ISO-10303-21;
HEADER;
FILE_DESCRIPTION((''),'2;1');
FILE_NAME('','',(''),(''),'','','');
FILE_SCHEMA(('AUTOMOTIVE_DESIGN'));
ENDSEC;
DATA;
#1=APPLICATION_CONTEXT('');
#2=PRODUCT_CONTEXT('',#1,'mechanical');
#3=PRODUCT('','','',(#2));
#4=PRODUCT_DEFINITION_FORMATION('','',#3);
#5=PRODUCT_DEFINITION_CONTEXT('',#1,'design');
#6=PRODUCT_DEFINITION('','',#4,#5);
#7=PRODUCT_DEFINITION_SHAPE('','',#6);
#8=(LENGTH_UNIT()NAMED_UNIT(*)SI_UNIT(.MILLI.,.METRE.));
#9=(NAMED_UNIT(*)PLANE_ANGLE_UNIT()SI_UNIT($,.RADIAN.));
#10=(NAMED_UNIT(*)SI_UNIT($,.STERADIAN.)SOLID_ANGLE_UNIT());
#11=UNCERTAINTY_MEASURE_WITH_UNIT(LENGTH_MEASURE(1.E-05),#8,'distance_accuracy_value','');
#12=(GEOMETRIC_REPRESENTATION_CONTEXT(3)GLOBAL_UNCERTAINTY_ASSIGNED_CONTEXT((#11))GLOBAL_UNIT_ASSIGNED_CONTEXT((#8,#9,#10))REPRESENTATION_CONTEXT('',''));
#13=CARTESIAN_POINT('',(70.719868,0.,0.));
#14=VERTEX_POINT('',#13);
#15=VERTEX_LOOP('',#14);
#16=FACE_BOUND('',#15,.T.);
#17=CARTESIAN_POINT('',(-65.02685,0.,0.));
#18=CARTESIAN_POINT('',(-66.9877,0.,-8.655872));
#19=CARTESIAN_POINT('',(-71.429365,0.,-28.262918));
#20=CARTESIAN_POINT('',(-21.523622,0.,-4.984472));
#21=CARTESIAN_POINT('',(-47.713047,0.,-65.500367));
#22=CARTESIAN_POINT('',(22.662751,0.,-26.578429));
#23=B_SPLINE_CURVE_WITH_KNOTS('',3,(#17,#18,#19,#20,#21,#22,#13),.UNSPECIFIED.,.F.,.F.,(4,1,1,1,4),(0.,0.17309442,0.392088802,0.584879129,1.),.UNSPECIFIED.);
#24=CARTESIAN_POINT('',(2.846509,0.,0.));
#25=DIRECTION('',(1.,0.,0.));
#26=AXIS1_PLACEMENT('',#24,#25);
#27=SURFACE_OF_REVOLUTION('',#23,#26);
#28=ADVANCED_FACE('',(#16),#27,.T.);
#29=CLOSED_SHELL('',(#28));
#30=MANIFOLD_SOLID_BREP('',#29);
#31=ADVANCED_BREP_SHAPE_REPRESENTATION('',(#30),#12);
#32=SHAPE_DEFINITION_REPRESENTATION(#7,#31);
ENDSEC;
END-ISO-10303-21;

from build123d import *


with BuildPart() as f1:
    # F0 (on Front) → F1 (revolve)
    with BuildSketch(Plane.XZ):
        with BuildLine():
            Line((70.7198679447, 0), (-65.0268495083, 0))
            add(Edge.make_bspline(
                [(-65.0268495083, 0), (-66.9876999541, -8.6558717213), (-71.4293652866, -28.2629177508), (-21.5236215639, -4.9844721515), (-47.7130471672, -65.500367274), (22.6627506021, -26.5784291568), (70.7198679447, 0)],
                knots=[0, 0, 0, 0, 0.1730944201, 0.3920888016, 0.5848791286, 1, 1, 1, 1], degree=3))
        make_face()
    revolve(axis=Axis((2.8465092182, 0, 0), (1, 0, 0)))


solid = f1.part
